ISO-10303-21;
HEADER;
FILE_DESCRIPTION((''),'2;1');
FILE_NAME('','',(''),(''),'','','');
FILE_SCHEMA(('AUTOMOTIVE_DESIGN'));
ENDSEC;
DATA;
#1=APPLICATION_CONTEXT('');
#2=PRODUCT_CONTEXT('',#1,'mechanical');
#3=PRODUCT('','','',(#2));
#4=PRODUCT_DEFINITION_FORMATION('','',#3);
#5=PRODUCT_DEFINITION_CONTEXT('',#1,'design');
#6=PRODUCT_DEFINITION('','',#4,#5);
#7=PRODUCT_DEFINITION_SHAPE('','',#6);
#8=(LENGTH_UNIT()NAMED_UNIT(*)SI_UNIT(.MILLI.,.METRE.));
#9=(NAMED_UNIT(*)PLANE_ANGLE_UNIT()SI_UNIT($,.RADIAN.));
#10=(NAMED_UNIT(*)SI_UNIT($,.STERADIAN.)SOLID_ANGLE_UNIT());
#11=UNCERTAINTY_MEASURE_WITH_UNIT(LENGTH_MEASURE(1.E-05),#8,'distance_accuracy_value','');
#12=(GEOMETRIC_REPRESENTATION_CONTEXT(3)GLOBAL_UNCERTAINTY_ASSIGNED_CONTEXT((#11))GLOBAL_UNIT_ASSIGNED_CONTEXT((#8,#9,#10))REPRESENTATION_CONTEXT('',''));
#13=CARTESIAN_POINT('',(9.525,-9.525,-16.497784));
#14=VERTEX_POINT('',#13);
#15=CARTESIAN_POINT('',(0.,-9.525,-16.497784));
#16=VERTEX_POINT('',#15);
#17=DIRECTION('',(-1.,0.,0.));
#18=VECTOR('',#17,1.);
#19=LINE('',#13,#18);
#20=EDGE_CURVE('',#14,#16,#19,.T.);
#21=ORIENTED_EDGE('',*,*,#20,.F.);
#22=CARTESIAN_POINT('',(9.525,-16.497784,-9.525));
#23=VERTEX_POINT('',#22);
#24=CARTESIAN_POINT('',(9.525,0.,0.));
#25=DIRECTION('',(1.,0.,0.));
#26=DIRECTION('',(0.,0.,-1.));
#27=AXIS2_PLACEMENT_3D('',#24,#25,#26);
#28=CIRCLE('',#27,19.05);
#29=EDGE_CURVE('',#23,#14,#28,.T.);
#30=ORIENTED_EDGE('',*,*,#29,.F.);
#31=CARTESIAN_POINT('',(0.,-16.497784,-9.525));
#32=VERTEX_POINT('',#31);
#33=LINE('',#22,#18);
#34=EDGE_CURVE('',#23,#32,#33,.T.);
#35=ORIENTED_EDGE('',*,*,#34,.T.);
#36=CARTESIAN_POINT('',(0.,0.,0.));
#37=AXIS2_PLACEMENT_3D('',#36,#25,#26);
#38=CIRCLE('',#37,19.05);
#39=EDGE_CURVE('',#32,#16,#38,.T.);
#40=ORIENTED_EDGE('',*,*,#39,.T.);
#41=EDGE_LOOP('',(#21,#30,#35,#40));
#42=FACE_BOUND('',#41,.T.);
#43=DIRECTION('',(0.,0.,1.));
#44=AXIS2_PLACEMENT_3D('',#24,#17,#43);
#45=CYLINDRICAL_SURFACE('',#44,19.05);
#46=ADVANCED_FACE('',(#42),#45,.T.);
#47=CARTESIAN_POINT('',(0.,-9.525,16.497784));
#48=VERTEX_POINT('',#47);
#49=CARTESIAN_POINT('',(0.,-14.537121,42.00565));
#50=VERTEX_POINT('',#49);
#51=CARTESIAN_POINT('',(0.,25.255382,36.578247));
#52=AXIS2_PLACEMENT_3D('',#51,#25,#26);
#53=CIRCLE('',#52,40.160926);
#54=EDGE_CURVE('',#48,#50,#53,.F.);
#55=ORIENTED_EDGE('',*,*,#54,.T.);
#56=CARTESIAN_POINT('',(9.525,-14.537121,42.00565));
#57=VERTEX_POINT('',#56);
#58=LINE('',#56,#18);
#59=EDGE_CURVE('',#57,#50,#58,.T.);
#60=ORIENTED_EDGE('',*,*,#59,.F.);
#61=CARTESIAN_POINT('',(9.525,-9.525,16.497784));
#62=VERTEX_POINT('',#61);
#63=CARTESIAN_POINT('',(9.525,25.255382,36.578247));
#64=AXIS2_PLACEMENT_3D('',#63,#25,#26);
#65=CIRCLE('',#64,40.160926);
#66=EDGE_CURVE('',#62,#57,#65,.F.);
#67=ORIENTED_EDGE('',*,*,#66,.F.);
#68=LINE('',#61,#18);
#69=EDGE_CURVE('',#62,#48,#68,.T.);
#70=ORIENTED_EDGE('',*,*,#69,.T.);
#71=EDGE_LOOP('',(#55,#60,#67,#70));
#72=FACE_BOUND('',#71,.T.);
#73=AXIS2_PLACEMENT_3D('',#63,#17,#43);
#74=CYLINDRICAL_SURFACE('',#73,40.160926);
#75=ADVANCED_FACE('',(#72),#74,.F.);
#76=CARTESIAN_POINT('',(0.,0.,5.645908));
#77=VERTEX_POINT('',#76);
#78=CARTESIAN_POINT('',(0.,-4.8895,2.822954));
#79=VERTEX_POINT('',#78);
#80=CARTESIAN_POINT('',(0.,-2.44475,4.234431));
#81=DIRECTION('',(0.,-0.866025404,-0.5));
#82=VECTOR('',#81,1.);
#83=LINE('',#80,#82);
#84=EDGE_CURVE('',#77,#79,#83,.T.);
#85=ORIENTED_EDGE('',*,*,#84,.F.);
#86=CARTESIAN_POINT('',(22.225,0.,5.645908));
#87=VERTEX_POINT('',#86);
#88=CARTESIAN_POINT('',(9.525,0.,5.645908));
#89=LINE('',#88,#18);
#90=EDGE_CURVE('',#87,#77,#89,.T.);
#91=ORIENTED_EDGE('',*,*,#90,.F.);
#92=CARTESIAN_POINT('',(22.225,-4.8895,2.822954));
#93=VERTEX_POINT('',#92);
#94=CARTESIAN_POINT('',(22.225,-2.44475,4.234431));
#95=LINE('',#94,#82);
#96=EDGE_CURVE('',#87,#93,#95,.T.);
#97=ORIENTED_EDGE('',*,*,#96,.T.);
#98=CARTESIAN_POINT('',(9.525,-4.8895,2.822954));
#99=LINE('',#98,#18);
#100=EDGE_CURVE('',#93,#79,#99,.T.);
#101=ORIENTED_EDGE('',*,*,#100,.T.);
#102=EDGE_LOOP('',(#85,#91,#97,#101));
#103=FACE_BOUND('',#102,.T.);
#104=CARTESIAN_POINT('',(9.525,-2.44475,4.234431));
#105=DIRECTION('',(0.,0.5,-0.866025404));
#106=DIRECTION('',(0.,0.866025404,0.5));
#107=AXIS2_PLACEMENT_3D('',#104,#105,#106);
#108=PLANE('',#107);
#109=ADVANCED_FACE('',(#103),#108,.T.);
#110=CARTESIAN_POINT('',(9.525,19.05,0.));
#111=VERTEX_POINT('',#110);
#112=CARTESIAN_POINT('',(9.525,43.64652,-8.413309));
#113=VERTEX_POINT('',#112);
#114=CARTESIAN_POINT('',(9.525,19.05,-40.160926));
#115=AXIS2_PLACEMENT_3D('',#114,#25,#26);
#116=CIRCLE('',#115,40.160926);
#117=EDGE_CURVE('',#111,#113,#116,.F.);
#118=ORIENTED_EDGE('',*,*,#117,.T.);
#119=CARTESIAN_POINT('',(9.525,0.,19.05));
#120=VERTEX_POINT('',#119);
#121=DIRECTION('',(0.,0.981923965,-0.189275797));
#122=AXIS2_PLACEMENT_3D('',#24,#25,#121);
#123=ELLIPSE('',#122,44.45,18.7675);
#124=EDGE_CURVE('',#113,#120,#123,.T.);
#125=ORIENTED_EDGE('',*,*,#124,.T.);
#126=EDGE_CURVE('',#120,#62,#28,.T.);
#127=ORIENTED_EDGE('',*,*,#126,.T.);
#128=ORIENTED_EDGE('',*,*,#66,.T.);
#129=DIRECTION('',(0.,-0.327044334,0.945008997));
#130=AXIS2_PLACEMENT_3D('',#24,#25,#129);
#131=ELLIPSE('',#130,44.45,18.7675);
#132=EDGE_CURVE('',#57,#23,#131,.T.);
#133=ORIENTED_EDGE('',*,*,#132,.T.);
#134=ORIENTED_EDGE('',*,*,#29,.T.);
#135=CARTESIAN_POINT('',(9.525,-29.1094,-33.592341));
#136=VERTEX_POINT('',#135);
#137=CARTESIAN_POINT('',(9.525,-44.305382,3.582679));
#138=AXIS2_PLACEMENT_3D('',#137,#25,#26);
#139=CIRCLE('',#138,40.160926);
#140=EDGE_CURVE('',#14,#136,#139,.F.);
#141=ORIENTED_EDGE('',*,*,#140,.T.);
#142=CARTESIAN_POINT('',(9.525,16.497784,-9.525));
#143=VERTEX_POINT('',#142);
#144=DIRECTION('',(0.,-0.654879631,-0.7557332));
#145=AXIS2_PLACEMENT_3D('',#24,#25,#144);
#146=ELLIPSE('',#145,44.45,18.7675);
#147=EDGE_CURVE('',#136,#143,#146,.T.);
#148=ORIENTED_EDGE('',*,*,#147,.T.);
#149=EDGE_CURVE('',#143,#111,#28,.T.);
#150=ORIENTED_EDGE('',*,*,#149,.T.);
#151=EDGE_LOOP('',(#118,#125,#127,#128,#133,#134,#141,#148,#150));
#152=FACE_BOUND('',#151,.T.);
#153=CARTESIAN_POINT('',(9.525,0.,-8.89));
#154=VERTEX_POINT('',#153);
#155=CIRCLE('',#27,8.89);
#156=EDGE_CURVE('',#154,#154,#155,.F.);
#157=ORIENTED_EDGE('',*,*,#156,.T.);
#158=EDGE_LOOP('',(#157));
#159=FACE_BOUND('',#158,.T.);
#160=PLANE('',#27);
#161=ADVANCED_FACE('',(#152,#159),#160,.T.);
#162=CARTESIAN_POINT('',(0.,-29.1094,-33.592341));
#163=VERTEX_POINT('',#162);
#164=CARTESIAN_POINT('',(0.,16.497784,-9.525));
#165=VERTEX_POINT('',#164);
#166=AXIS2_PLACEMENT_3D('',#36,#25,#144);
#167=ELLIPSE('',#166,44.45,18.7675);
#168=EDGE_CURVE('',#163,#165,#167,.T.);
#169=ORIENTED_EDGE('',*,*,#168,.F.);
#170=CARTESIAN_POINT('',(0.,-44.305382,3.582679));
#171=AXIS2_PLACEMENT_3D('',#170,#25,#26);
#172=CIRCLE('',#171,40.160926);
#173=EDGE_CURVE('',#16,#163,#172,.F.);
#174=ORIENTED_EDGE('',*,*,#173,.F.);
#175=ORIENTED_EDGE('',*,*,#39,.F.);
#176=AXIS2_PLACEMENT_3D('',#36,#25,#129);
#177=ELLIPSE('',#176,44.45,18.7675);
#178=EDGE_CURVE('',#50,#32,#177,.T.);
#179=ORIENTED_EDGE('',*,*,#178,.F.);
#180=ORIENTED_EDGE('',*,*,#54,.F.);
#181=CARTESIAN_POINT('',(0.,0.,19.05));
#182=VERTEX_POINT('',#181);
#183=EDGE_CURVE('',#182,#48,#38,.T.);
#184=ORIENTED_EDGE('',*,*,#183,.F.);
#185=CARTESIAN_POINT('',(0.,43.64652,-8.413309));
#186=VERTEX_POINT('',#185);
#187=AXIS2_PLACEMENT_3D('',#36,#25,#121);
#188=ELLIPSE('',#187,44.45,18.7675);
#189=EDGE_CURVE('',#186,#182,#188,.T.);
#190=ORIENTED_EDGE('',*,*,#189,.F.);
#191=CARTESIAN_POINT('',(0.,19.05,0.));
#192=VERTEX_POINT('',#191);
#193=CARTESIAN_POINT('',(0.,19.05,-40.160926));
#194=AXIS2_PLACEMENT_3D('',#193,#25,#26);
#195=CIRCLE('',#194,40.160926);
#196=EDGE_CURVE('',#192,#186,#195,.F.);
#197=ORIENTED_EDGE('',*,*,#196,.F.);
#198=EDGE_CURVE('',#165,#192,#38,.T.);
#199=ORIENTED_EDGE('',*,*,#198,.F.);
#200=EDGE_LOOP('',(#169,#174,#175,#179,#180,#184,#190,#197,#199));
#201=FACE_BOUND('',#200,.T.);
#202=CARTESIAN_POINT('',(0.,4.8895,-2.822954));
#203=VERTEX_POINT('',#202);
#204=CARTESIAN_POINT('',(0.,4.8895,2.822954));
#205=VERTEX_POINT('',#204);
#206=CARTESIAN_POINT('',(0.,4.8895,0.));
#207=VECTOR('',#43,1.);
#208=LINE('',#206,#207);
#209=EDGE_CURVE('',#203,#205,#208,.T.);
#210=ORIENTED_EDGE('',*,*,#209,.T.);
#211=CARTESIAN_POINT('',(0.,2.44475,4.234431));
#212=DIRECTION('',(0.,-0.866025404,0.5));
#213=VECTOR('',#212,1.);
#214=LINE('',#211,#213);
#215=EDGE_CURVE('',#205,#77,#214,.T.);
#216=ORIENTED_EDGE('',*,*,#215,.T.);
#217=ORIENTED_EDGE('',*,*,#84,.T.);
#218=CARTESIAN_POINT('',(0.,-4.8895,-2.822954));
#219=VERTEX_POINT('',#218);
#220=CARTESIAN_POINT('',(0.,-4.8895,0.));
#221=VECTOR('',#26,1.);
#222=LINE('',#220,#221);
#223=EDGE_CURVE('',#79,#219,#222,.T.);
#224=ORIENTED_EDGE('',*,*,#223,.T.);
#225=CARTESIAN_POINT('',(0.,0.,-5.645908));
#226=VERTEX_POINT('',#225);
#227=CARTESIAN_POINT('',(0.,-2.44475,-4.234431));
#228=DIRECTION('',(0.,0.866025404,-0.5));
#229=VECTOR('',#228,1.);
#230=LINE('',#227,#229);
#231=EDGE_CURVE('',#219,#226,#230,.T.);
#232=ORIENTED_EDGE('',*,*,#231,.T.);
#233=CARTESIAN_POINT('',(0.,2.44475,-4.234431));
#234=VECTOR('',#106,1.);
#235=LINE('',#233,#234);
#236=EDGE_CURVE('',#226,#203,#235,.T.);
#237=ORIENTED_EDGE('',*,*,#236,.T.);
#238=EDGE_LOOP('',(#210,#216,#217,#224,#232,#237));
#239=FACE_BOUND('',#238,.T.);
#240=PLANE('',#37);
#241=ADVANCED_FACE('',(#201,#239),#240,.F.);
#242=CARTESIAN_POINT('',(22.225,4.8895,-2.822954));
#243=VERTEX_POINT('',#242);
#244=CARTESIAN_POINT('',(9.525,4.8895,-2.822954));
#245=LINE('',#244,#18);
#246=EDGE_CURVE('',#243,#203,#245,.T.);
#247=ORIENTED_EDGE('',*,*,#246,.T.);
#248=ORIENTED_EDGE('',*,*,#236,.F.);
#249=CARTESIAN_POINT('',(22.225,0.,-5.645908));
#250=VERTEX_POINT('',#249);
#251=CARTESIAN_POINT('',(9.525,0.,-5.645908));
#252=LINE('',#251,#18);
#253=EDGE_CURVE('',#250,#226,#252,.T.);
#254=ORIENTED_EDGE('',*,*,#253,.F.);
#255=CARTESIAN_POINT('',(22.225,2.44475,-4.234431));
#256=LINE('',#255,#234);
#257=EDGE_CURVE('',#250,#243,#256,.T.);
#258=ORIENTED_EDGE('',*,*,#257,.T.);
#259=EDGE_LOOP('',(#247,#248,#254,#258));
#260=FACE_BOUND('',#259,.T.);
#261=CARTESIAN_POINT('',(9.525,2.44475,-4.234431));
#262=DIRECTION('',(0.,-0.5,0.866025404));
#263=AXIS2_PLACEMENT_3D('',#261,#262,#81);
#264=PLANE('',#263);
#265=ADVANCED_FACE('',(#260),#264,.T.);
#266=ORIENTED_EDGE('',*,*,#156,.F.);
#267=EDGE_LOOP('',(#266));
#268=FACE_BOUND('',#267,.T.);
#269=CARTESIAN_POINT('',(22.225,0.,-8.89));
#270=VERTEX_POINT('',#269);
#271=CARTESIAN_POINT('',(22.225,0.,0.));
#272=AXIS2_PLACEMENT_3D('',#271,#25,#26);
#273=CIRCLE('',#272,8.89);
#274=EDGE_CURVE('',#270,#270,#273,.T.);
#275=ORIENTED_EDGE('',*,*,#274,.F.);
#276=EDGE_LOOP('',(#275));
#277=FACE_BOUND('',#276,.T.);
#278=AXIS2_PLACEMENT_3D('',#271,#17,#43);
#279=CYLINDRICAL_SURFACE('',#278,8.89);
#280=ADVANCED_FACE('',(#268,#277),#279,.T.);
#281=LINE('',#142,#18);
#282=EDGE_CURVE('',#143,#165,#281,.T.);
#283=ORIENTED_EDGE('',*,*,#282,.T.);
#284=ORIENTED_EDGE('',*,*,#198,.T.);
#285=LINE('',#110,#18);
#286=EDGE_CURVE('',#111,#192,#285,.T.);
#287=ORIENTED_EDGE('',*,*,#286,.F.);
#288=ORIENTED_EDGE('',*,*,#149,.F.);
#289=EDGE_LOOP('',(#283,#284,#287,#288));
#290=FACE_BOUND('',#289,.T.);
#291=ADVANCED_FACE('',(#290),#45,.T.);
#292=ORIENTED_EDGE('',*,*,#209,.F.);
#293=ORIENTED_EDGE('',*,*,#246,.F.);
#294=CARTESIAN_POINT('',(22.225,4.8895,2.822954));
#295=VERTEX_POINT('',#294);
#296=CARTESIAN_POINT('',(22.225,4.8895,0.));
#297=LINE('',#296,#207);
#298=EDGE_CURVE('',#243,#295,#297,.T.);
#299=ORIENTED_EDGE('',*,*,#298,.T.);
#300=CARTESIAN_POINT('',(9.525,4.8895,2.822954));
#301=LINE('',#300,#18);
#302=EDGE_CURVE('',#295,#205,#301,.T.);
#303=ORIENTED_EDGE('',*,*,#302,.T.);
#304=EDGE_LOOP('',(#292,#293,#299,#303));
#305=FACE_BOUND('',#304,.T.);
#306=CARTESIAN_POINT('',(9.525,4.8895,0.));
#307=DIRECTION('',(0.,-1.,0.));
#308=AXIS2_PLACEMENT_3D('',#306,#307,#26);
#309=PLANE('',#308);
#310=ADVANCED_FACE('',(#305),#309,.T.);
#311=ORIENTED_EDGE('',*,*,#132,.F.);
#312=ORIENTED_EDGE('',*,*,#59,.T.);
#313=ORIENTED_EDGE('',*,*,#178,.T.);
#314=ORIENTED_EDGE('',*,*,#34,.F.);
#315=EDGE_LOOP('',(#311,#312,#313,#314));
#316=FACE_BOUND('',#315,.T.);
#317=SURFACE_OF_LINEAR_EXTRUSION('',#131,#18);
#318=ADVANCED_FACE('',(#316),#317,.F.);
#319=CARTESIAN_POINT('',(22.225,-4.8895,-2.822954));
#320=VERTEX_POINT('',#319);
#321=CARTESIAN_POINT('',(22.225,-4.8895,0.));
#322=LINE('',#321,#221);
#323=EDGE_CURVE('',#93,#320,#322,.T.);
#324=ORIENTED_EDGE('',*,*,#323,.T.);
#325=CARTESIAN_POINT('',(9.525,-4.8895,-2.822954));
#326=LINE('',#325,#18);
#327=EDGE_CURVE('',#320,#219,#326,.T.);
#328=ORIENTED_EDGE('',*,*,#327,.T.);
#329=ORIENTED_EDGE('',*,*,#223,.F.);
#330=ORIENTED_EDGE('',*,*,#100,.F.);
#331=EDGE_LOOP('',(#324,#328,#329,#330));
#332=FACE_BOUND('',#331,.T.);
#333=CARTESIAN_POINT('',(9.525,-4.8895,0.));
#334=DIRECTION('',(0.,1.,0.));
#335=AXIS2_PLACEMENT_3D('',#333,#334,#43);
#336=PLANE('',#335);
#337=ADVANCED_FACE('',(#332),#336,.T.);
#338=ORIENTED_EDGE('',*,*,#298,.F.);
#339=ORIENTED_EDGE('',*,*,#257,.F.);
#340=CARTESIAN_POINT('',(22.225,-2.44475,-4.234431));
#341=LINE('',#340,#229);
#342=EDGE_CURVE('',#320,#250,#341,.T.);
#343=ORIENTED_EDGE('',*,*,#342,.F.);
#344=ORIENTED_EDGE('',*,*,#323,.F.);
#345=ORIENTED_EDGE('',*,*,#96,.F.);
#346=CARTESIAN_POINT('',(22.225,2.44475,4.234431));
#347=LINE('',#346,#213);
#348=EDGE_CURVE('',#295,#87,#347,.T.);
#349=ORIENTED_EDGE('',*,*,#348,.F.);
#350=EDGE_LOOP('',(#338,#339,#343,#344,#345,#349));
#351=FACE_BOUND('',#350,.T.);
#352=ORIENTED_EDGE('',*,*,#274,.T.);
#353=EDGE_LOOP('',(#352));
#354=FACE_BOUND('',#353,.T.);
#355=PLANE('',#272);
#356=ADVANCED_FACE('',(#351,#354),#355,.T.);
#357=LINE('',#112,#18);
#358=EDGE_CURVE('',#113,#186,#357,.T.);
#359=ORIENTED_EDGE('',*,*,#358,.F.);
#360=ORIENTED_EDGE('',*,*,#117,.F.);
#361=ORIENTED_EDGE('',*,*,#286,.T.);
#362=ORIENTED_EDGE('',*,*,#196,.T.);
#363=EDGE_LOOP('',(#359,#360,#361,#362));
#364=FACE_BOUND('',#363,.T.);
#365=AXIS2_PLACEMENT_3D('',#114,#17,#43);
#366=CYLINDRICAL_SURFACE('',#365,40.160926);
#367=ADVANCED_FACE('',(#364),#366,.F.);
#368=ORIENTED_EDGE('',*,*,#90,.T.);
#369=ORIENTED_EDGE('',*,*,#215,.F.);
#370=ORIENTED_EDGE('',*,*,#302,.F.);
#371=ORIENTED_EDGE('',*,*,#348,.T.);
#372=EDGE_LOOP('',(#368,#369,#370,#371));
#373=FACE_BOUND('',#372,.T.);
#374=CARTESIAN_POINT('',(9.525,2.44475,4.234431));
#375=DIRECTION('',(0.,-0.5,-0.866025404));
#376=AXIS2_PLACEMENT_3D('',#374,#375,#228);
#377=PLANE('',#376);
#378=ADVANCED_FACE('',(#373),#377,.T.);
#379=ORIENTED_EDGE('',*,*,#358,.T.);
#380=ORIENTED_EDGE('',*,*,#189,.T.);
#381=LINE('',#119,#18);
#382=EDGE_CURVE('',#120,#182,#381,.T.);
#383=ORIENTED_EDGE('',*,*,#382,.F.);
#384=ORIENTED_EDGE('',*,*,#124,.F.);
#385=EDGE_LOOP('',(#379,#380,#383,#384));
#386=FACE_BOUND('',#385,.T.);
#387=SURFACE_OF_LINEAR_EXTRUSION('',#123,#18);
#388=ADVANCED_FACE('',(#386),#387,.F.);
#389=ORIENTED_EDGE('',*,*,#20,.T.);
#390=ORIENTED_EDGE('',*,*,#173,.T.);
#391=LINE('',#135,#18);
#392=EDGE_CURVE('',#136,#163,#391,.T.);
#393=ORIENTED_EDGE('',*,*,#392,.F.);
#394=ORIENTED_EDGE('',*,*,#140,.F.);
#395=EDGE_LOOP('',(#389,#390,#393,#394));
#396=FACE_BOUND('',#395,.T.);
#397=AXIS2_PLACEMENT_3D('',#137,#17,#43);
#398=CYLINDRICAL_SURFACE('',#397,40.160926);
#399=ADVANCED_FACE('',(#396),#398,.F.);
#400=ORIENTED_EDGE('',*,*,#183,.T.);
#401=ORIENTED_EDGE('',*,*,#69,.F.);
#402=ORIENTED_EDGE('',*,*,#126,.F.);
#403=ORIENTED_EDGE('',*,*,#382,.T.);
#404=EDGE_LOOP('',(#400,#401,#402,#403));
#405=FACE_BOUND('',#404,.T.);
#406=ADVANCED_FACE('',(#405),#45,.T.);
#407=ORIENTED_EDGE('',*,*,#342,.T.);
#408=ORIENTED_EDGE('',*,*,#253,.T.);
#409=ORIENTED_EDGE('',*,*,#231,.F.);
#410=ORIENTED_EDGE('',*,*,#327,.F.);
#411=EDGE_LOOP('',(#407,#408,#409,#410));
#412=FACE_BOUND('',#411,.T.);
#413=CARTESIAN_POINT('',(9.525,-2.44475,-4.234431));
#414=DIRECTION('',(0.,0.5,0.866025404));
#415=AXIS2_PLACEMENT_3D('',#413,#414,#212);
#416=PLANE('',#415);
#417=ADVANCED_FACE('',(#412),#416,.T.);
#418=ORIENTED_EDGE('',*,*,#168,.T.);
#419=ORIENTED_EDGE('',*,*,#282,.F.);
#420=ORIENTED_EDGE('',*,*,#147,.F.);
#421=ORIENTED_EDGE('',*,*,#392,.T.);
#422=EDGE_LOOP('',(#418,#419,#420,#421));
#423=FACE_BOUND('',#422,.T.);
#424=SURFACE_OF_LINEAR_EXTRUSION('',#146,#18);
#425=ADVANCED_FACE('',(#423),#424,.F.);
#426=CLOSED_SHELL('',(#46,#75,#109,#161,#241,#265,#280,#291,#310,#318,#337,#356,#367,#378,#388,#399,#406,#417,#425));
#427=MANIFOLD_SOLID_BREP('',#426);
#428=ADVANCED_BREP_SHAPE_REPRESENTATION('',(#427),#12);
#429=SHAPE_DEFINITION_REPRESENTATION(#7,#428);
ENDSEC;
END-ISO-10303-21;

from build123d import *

# Parameters (mm, degrees)
BOSS_EXTRUDE2_DEPTH = 9.525
SKETCH1_7_R         = 8.89
BOSS_EXTRUDE4_DEPTH = 22.225


with BuildPart() as part:
    # Sketch1 → Boss-Extrude2 (new body)
    with BuildSketch(Plane(origin=(0, 0, 0), x_dir=(0, 0, -1), z_dir=(1, 0, 0))):
        with BuildLine():
            ThreePointArc((9.525, 16.497783942), (4.930502809, 18.400886991), (0, 19.05))
            ThreePointArc((0, 19.05), (2.161493982, 32.047813076), (8.413309173, 43.646520237))
            add(Edge.make_bspline(
                [(8.413309173, 43.646520237), (3.572991313, 44.579540565), (-2.983083494, 41.836213327), (-9.860033792, 32.789051702), (-14.919789948, 19.175608051), (-18.015988155, 5.633638353), (-18.31734725, 4.197175442), (-18.589544271, 2.776695083), (-18.833400518, 1.3765002), (-19.05, 0)],
                knots=[3.141592654, 3.141592654, 3.141592654, 3.141592654, 3.141592654, 3.141592654, 4.617024129, 4.617024129, 4.617024129, 4.617024129, 4.793596405, 4.793596405, 4.793596405, 4.793596405, 4.793596405, 4.793596405], degree=5, weights=[1, 1, 0.97421635, 0.97065359, 1, 1, 1.000001514, 1.000002053, 1, 1]))
            ThreePointArc((-19.05, 0), (-18.400886991, -4.930502809), (-16.497783942, -9.525))
            ThreePointArc((-16.497783942, -9.525), (-28.83496725, -14.151997839), (-42.005649898, -14.537120645))
            add(Edge.make_bspline(
                [(-42.005649898, -14.537120645), (-40.393510275, -19.195469038), (-34.739681792, -23.501532751), (-23.466134844, -24.933565597), (-9.146668731, -22.508721139), (4.129120148, -18.419122593), (5.523813068, -17.961875769), (6.890083655, -17.487365125), (8.224616117, -16.998453388), (9.525, -16.497783942)],
                knots=[0, 0, 0, 0, 0, 0, 1.475431476, 1.475431476, 1.475431476, 1.475431476, 1.652003752, 1.652003752, 1.652003752, 1.652003752, 1.652003752, 1.652003752], degree=5, weights=[1, 1, 0.97421635, 0.97065359, 1, 1, 1.000001514, 1.000002053, 1, 1]))
            ThreePointArc((9.525, -16.497783942), (13.470384182, -13.470384182), (16.497783942, -9.525))
            ThreePointArc((16.497783942, -9.525), (26.673473268, -17.895815237), (33.592340725, -29.109399592))
            add(Edge.make_bspline(
                [(33.592340725, -29.109399592), (36.820518962, -25.384071527), (37.722765286, -18.334680576), (33.326168636, -7.855486105), (24.066458679, 3.333113088), (13.886868007, 12.78548424), (12.793534182, 13.764700327), (11.699460616, 14.710670041), (10.6087844, 15.621953188), (9.525, 16.497783942)],
                knots=[0, 0, 0, 0, 0, 0, 1.475431476, 1.475431476, 1.475431476, 1.475431476, 1.652003752, 1.652003752, 1.652003752, 1.652003752, 1.652003752, 1.652003752], degree=5, weights=[1, 1, 0.97421635, 0.97065359, 1, 1, 1.000001514, 1.000002053, 1, 1]))
        make_face()
        Polygon((5.645908282, 0), (2.822954141, -4.8895), (-2.822954141, -4.8895), (-5.645908282, 0), (-2.822954141, 4.8895), (2.822954141, 4.8895), align=None, mode=Mode.SUBTRACT)
    extrude(amount=BOSS_EXTRUDE2_DEPTH)

    # Sketch1<7> → Boss-Extrude4 (add)
    with BuildSketch(Plane(origin=(0, 0, 0), x_dir=(0, 0, -1), z_dir=(1, 0, 0))):
        Circle(SKETCH1_7_R)
        Polygon((2.822954141, 4.8895), (5.645908282, 0), (2.822954141, -4.8895), (-2.822954141, -4.8895), (-5.645908282, 0), (-2.822954141, 4.8895), align=None, mode=Mode.SUBTRACT)
    extrude(amount=BOSS_EXTRUDE4_DEPTH)


solid = part.part
